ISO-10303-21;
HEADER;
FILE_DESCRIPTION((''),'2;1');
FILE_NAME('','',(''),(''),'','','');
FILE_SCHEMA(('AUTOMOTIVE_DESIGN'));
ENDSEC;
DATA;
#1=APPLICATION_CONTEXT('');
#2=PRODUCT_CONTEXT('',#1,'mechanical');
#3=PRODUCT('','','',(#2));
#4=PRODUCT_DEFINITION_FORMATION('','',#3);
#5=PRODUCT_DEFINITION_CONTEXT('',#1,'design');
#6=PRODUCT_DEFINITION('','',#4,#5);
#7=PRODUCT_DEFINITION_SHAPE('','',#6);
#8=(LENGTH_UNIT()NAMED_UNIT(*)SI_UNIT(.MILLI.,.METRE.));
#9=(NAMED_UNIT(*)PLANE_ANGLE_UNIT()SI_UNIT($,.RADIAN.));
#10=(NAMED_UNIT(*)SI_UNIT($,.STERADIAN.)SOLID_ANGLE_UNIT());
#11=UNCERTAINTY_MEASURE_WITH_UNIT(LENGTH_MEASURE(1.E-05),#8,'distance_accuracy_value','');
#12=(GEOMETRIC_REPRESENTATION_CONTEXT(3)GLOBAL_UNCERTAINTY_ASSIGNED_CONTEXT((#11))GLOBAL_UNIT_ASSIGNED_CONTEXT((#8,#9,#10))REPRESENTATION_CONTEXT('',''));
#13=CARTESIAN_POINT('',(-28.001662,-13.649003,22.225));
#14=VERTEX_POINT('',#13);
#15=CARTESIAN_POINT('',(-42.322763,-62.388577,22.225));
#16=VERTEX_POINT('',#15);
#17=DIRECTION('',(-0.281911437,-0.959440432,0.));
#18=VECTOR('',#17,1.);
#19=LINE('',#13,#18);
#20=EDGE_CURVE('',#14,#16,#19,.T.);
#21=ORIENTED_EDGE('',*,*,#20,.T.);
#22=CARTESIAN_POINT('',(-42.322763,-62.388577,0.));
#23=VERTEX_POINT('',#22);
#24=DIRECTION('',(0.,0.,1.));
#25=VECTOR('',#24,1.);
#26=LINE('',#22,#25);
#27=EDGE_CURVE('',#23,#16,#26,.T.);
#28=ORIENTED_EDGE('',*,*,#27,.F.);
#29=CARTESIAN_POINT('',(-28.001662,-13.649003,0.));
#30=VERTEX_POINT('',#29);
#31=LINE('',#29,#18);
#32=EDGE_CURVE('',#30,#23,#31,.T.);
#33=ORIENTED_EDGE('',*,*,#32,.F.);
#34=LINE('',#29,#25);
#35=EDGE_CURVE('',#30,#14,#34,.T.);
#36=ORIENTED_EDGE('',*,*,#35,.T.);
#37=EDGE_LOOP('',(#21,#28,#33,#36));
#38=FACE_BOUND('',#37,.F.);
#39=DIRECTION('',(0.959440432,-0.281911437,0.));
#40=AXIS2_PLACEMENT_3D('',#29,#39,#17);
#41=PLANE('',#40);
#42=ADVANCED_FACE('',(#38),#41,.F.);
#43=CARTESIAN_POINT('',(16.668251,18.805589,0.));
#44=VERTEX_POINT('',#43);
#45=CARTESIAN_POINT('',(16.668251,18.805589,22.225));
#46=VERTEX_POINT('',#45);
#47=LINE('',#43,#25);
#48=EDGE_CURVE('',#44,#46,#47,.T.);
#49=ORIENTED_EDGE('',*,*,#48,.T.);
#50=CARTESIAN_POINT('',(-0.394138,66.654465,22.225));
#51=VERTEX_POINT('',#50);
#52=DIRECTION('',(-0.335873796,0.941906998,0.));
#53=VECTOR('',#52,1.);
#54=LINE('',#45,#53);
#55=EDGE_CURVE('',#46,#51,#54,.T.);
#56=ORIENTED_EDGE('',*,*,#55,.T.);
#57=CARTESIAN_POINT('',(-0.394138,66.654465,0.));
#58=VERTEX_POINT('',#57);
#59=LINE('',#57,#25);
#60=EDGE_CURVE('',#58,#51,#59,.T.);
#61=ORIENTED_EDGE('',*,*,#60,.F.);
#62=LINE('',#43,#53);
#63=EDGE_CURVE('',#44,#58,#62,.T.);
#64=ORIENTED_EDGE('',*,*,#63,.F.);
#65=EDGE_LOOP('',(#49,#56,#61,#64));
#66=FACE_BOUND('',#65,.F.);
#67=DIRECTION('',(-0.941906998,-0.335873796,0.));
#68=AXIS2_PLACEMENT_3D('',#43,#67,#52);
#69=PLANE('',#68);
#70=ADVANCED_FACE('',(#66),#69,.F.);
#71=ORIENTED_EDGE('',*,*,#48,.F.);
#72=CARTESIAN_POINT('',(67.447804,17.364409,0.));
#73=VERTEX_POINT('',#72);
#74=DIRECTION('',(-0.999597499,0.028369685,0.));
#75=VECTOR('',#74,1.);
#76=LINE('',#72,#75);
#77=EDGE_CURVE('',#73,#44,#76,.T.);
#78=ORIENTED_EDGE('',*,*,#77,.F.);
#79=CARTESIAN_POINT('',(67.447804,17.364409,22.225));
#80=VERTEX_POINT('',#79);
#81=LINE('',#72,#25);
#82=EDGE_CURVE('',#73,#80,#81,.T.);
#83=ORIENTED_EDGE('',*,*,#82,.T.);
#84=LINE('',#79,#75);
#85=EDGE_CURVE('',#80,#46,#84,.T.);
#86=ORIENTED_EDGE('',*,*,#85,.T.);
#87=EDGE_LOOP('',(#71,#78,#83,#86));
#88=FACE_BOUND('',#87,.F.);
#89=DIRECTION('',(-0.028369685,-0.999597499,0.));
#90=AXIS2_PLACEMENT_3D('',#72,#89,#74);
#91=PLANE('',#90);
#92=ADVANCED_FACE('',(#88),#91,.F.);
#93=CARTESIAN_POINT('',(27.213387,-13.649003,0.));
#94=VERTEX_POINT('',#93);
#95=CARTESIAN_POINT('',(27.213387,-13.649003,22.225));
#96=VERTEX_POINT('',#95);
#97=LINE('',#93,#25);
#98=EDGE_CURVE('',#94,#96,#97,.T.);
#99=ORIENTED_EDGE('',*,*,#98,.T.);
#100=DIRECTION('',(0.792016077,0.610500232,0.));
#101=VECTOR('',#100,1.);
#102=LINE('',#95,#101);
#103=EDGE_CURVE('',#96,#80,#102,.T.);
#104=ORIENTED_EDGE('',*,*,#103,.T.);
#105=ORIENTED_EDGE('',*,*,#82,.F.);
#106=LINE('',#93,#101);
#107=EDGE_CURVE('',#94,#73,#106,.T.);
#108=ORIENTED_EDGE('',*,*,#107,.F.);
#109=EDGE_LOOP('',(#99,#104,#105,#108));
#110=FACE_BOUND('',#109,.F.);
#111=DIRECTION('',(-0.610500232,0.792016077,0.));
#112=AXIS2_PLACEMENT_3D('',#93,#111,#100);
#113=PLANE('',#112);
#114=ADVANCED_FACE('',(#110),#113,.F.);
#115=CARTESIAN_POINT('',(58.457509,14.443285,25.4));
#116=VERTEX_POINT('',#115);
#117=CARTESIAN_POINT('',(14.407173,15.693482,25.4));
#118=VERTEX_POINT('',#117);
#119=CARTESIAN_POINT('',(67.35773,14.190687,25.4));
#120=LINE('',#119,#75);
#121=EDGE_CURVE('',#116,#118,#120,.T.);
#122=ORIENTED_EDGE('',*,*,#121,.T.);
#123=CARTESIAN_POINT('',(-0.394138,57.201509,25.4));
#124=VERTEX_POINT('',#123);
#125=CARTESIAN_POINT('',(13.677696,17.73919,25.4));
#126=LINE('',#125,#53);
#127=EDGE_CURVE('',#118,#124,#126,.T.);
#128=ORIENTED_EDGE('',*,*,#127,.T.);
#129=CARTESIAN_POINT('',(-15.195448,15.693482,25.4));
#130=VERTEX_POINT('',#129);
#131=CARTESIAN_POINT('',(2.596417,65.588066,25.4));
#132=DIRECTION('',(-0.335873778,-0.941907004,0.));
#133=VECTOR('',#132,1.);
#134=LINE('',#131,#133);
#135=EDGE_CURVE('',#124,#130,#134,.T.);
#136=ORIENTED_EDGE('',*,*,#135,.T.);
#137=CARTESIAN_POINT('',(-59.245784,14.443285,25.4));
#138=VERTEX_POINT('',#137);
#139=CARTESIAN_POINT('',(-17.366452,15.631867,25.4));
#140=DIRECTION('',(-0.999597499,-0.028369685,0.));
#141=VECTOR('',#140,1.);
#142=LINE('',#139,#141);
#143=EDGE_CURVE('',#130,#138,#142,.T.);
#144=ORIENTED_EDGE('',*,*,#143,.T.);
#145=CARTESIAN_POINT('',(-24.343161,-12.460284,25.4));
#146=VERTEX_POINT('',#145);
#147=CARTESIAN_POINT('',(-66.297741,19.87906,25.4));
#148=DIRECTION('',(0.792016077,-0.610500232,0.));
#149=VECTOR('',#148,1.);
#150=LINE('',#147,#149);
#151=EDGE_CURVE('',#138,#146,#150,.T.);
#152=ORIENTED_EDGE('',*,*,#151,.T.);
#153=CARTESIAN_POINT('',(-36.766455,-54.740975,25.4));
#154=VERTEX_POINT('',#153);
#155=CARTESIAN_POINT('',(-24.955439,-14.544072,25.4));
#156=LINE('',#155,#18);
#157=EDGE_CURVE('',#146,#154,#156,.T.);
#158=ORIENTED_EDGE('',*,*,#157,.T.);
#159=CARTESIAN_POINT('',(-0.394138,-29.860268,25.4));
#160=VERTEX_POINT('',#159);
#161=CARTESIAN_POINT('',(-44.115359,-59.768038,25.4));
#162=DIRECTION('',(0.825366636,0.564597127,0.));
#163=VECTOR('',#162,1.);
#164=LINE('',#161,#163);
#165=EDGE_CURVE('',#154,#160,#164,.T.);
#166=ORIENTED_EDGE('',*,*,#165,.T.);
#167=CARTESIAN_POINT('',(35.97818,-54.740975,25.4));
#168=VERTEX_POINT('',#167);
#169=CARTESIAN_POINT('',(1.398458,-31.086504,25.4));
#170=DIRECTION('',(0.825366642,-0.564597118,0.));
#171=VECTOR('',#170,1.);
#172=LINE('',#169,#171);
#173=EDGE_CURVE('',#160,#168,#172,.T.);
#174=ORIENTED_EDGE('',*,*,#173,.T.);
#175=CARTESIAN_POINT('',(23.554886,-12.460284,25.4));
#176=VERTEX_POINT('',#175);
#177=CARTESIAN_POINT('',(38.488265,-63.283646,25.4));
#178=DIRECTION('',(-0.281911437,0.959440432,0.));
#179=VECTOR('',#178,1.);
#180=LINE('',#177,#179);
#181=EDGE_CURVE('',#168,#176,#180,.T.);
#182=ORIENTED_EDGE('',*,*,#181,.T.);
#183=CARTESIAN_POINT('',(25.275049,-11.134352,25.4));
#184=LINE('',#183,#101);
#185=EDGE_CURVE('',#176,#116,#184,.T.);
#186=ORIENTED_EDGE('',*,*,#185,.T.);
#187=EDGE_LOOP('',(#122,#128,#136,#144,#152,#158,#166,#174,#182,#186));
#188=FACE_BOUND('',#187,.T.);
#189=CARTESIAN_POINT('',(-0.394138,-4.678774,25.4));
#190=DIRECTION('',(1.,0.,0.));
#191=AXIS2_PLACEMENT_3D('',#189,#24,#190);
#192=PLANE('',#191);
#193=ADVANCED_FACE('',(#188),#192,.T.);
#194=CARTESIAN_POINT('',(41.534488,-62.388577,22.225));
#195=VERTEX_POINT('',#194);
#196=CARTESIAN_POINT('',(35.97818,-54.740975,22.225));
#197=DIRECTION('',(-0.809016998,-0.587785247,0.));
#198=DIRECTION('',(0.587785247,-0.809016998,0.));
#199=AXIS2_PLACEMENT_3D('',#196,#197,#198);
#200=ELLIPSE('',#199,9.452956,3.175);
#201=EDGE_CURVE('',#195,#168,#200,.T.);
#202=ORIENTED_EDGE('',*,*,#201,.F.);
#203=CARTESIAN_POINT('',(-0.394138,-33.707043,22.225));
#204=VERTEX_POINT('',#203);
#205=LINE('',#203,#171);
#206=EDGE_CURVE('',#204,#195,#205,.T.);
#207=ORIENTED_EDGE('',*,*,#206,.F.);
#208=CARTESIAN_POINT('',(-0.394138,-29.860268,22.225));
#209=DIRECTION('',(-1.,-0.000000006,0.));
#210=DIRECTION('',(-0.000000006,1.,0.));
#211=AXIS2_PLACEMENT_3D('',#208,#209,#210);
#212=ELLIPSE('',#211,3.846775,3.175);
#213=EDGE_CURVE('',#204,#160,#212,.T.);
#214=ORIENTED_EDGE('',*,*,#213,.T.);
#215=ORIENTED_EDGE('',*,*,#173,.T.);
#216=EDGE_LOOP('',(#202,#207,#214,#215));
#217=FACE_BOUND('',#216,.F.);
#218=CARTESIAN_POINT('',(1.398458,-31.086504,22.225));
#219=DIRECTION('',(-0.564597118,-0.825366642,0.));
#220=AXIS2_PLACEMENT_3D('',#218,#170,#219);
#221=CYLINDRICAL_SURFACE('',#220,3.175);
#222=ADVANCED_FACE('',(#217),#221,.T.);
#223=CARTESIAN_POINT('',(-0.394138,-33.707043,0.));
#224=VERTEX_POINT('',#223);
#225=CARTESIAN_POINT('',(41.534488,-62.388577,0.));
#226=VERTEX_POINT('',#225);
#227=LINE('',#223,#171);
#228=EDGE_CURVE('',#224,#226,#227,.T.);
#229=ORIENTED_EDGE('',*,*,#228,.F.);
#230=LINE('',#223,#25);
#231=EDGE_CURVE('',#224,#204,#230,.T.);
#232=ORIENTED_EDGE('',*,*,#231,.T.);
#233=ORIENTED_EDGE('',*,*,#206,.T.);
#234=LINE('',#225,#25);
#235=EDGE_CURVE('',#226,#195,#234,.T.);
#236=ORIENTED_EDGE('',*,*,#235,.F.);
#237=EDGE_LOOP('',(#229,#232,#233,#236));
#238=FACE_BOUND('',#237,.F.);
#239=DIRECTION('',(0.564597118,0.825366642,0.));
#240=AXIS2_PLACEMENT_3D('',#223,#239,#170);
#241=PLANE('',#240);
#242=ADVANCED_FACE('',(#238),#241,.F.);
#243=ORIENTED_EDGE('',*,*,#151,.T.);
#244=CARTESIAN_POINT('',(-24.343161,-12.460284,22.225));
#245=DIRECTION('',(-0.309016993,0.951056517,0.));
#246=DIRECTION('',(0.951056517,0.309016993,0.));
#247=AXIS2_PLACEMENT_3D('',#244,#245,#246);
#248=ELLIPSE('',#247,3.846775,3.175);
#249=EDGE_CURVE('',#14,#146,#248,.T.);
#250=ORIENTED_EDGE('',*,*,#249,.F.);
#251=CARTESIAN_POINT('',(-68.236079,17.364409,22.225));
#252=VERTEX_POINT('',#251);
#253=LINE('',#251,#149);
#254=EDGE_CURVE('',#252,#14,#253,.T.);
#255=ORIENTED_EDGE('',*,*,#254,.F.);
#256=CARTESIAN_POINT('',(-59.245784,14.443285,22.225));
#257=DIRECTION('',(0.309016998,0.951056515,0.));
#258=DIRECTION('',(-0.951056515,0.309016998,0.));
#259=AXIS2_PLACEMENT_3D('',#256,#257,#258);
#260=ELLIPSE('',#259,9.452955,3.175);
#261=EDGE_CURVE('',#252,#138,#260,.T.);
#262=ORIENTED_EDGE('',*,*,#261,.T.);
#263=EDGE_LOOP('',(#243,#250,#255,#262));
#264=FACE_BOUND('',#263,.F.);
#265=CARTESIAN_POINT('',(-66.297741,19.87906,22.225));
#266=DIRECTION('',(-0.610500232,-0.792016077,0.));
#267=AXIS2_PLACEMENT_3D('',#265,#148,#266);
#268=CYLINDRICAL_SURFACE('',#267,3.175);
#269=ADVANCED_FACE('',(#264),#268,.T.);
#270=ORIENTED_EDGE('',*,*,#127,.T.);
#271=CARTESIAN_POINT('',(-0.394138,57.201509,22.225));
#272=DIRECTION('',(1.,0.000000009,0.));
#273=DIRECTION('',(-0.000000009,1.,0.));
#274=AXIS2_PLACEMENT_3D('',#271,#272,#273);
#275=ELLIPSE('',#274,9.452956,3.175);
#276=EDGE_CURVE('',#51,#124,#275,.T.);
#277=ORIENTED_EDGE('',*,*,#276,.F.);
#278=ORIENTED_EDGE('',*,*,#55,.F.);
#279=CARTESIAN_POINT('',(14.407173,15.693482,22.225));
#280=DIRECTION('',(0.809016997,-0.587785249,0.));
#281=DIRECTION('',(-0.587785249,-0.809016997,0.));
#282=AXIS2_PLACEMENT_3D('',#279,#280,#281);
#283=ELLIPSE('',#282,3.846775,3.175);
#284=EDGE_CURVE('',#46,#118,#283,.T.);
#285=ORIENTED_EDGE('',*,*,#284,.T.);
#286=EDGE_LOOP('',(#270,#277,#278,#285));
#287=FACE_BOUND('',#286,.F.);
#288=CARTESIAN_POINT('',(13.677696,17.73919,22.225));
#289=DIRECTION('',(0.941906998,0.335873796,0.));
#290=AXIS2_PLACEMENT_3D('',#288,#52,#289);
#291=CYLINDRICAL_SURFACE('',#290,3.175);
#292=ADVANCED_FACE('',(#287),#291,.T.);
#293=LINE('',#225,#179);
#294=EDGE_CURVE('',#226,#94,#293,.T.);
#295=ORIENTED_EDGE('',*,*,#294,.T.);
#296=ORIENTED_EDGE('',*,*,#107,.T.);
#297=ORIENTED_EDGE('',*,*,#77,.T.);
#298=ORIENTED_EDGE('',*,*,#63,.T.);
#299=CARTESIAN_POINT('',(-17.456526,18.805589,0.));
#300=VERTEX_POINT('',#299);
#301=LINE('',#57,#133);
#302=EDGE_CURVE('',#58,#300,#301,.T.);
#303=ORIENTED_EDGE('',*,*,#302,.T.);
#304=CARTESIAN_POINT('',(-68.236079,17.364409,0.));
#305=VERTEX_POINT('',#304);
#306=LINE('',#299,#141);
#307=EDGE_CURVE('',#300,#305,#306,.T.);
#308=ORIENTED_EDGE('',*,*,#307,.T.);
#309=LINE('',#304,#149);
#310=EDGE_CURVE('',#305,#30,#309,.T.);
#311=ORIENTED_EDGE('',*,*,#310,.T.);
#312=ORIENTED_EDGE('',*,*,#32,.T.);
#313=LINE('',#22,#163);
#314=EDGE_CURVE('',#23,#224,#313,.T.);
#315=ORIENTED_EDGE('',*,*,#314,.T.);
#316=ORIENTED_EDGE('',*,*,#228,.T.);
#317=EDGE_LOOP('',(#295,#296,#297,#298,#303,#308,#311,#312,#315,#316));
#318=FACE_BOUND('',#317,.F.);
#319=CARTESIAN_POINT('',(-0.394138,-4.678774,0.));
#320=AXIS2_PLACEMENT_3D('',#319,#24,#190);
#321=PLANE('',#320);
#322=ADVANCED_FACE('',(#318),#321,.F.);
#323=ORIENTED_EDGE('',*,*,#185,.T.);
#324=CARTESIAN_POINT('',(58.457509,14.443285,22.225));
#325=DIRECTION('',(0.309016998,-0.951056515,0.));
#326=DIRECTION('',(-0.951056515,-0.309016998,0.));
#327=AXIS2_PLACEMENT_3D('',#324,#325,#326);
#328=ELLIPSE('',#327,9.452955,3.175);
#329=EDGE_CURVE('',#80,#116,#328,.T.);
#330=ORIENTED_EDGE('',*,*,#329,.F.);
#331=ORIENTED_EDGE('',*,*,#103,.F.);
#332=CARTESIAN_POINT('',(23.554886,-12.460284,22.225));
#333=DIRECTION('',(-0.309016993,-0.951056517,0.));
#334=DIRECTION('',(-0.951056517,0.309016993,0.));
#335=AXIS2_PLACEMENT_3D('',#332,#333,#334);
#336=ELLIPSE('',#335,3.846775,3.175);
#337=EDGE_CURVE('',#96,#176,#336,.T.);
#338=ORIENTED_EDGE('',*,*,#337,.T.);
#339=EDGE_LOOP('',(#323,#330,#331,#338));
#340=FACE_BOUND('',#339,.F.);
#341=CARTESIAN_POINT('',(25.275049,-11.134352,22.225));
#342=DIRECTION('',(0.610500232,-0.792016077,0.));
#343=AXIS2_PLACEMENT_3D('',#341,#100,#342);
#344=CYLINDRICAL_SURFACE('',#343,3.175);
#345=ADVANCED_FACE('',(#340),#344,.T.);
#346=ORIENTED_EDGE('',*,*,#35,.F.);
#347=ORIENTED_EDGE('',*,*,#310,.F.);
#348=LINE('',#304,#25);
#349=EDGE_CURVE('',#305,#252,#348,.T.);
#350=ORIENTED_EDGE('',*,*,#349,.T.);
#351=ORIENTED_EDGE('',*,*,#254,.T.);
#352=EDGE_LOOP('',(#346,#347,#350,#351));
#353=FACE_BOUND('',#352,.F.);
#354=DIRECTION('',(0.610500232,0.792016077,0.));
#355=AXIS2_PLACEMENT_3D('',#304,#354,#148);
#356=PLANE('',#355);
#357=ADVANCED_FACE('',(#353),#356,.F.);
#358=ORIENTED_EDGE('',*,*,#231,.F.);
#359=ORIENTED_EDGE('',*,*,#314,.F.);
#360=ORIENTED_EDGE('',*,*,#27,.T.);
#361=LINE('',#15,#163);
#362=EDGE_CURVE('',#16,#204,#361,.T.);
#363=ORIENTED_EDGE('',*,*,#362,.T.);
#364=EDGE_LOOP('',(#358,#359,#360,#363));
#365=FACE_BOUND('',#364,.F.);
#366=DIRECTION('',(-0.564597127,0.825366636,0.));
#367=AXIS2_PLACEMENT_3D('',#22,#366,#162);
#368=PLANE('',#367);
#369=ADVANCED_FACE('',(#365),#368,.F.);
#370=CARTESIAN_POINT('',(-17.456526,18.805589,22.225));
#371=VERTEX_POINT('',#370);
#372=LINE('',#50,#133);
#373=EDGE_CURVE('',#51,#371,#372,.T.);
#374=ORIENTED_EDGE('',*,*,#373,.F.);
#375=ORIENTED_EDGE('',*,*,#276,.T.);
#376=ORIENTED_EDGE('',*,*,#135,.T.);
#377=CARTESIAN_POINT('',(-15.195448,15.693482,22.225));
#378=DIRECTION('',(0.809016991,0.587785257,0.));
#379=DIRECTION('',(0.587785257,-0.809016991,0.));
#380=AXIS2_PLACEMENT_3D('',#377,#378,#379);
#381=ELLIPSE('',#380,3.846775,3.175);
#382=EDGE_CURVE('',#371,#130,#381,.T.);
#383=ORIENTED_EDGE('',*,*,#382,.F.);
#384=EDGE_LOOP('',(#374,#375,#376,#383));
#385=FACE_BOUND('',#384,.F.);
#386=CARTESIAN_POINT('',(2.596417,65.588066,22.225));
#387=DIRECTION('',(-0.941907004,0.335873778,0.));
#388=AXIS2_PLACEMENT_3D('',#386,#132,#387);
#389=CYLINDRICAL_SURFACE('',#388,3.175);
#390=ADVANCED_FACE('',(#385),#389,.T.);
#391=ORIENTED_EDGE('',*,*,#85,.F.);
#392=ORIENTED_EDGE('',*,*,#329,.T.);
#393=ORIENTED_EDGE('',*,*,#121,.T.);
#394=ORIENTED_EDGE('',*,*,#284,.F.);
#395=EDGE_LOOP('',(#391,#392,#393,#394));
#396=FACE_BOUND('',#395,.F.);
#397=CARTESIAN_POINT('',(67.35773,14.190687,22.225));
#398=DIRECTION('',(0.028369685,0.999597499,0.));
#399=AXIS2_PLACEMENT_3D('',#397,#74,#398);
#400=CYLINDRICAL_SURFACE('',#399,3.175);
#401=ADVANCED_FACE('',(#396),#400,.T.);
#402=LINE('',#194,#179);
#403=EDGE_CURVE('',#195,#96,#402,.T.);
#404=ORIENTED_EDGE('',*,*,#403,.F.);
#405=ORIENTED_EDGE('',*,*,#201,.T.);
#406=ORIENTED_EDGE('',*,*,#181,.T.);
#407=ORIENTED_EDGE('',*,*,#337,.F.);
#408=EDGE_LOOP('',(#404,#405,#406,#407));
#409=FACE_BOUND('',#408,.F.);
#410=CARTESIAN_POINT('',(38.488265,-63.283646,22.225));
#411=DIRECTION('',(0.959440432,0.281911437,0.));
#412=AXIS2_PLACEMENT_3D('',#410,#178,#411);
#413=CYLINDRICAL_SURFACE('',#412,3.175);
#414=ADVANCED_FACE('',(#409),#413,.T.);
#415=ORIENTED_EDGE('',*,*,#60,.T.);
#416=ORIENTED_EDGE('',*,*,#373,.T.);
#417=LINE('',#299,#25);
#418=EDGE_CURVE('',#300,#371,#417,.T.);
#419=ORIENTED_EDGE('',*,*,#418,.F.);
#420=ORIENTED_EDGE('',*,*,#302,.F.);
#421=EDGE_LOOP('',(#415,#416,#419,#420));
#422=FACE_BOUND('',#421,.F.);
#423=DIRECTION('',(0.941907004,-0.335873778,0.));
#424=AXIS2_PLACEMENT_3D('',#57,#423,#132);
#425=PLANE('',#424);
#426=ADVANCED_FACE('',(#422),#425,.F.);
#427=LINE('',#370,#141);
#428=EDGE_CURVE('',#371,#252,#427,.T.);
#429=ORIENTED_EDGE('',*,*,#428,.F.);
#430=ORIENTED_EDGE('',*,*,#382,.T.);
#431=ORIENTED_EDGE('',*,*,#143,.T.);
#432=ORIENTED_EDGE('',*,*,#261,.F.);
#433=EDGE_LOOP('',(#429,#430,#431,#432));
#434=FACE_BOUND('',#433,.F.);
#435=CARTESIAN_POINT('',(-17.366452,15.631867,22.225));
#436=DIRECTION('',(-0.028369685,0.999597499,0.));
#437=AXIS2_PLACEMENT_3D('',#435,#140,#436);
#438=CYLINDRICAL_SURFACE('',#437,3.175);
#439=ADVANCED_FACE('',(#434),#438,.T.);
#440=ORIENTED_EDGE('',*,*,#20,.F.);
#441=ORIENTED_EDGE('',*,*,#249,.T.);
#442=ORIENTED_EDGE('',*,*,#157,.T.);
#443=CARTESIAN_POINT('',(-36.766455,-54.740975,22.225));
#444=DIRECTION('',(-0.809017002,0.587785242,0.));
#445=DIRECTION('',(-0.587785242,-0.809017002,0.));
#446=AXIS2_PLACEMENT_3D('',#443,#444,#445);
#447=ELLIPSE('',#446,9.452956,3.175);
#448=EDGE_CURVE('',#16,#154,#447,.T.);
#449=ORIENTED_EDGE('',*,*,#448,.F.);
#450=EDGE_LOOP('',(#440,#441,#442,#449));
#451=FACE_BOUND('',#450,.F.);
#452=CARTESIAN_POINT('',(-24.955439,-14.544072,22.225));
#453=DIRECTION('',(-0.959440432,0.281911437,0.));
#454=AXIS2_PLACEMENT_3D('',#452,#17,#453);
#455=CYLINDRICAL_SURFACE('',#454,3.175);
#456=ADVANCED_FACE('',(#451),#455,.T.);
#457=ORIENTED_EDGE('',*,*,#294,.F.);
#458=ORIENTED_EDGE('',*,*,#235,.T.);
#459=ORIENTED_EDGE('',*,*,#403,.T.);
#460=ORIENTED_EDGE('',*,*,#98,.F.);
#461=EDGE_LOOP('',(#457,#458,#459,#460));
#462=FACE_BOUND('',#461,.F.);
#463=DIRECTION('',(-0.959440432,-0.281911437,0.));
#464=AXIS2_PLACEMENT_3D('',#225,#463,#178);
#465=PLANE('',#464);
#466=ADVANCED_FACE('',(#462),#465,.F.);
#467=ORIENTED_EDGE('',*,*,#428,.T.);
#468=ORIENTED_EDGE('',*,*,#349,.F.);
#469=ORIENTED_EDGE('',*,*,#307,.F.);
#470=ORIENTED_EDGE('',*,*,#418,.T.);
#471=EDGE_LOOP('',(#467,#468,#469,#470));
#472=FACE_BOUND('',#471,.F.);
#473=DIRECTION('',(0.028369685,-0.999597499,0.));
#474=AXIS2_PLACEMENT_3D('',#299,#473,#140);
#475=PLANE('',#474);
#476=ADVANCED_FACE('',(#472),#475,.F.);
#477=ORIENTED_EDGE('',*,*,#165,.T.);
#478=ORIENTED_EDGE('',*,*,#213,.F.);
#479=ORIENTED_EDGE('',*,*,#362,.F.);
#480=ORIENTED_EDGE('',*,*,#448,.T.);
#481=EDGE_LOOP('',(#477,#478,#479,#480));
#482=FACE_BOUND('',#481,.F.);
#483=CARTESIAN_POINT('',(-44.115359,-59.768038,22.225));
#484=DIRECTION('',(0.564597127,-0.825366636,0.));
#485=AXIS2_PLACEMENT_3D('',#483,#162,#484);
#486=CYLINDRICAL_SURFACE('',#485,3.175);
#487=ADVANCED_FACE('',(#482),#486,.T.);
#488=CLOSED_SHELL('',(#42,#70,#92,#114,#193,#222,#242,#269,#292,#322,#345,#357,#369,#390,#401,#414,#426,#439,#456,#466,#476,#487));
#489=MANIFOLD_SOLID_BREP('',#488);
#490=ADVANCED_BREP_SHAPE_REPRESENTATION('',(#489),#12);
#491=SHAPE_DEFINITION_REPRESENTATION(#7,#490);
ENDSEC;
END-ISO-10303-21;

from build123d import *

# Parameters (mm, degrees)
F1_DEPTH = 25.4
F2_R     = 3.175


with BuildPart() as f1:
    # F0 (on Top) → F1 (new body)
    with BuildSketch(Plane.XY):
        Polygon((67.447804, 17.364409), (16.668251, 18.805589), (-0.394138, 66.654465), (-17.456526, 18.805589), (-68.236079, 17.364409), (-28.001662, -13.649003), (-42.322763, -62.388577), (-0.394138, -33.707043), (41.534488, -62.388577), (27.213387, -13.649003), align=None)
    extrude(amount=F1_DEPTH)

    # F2
    f2_edges = [f1.edges().sort_by_distance(p)[0] for p in [
        (42.058028, 18.084999, 25.4),
        (8.137057, 42.730027, 25.4),
        (-8.925332, 42.730027, 25.4),
        (-42.846303, 18.084999, 25.4),
        (-48.118871, 1.857703, 25.4),
        (-35.162213, -38.01879, 25.4),
        (-21.35845, -48.04781, 25.4),
        (20.570175, -48.04781, 25.4),
        (34.373938, -38.01879, 25.4),
        (47.330596, 1.857703, 25.4),
    ]]
    fillet(f2_edges, radius=F2_R)


solid = f1.part
